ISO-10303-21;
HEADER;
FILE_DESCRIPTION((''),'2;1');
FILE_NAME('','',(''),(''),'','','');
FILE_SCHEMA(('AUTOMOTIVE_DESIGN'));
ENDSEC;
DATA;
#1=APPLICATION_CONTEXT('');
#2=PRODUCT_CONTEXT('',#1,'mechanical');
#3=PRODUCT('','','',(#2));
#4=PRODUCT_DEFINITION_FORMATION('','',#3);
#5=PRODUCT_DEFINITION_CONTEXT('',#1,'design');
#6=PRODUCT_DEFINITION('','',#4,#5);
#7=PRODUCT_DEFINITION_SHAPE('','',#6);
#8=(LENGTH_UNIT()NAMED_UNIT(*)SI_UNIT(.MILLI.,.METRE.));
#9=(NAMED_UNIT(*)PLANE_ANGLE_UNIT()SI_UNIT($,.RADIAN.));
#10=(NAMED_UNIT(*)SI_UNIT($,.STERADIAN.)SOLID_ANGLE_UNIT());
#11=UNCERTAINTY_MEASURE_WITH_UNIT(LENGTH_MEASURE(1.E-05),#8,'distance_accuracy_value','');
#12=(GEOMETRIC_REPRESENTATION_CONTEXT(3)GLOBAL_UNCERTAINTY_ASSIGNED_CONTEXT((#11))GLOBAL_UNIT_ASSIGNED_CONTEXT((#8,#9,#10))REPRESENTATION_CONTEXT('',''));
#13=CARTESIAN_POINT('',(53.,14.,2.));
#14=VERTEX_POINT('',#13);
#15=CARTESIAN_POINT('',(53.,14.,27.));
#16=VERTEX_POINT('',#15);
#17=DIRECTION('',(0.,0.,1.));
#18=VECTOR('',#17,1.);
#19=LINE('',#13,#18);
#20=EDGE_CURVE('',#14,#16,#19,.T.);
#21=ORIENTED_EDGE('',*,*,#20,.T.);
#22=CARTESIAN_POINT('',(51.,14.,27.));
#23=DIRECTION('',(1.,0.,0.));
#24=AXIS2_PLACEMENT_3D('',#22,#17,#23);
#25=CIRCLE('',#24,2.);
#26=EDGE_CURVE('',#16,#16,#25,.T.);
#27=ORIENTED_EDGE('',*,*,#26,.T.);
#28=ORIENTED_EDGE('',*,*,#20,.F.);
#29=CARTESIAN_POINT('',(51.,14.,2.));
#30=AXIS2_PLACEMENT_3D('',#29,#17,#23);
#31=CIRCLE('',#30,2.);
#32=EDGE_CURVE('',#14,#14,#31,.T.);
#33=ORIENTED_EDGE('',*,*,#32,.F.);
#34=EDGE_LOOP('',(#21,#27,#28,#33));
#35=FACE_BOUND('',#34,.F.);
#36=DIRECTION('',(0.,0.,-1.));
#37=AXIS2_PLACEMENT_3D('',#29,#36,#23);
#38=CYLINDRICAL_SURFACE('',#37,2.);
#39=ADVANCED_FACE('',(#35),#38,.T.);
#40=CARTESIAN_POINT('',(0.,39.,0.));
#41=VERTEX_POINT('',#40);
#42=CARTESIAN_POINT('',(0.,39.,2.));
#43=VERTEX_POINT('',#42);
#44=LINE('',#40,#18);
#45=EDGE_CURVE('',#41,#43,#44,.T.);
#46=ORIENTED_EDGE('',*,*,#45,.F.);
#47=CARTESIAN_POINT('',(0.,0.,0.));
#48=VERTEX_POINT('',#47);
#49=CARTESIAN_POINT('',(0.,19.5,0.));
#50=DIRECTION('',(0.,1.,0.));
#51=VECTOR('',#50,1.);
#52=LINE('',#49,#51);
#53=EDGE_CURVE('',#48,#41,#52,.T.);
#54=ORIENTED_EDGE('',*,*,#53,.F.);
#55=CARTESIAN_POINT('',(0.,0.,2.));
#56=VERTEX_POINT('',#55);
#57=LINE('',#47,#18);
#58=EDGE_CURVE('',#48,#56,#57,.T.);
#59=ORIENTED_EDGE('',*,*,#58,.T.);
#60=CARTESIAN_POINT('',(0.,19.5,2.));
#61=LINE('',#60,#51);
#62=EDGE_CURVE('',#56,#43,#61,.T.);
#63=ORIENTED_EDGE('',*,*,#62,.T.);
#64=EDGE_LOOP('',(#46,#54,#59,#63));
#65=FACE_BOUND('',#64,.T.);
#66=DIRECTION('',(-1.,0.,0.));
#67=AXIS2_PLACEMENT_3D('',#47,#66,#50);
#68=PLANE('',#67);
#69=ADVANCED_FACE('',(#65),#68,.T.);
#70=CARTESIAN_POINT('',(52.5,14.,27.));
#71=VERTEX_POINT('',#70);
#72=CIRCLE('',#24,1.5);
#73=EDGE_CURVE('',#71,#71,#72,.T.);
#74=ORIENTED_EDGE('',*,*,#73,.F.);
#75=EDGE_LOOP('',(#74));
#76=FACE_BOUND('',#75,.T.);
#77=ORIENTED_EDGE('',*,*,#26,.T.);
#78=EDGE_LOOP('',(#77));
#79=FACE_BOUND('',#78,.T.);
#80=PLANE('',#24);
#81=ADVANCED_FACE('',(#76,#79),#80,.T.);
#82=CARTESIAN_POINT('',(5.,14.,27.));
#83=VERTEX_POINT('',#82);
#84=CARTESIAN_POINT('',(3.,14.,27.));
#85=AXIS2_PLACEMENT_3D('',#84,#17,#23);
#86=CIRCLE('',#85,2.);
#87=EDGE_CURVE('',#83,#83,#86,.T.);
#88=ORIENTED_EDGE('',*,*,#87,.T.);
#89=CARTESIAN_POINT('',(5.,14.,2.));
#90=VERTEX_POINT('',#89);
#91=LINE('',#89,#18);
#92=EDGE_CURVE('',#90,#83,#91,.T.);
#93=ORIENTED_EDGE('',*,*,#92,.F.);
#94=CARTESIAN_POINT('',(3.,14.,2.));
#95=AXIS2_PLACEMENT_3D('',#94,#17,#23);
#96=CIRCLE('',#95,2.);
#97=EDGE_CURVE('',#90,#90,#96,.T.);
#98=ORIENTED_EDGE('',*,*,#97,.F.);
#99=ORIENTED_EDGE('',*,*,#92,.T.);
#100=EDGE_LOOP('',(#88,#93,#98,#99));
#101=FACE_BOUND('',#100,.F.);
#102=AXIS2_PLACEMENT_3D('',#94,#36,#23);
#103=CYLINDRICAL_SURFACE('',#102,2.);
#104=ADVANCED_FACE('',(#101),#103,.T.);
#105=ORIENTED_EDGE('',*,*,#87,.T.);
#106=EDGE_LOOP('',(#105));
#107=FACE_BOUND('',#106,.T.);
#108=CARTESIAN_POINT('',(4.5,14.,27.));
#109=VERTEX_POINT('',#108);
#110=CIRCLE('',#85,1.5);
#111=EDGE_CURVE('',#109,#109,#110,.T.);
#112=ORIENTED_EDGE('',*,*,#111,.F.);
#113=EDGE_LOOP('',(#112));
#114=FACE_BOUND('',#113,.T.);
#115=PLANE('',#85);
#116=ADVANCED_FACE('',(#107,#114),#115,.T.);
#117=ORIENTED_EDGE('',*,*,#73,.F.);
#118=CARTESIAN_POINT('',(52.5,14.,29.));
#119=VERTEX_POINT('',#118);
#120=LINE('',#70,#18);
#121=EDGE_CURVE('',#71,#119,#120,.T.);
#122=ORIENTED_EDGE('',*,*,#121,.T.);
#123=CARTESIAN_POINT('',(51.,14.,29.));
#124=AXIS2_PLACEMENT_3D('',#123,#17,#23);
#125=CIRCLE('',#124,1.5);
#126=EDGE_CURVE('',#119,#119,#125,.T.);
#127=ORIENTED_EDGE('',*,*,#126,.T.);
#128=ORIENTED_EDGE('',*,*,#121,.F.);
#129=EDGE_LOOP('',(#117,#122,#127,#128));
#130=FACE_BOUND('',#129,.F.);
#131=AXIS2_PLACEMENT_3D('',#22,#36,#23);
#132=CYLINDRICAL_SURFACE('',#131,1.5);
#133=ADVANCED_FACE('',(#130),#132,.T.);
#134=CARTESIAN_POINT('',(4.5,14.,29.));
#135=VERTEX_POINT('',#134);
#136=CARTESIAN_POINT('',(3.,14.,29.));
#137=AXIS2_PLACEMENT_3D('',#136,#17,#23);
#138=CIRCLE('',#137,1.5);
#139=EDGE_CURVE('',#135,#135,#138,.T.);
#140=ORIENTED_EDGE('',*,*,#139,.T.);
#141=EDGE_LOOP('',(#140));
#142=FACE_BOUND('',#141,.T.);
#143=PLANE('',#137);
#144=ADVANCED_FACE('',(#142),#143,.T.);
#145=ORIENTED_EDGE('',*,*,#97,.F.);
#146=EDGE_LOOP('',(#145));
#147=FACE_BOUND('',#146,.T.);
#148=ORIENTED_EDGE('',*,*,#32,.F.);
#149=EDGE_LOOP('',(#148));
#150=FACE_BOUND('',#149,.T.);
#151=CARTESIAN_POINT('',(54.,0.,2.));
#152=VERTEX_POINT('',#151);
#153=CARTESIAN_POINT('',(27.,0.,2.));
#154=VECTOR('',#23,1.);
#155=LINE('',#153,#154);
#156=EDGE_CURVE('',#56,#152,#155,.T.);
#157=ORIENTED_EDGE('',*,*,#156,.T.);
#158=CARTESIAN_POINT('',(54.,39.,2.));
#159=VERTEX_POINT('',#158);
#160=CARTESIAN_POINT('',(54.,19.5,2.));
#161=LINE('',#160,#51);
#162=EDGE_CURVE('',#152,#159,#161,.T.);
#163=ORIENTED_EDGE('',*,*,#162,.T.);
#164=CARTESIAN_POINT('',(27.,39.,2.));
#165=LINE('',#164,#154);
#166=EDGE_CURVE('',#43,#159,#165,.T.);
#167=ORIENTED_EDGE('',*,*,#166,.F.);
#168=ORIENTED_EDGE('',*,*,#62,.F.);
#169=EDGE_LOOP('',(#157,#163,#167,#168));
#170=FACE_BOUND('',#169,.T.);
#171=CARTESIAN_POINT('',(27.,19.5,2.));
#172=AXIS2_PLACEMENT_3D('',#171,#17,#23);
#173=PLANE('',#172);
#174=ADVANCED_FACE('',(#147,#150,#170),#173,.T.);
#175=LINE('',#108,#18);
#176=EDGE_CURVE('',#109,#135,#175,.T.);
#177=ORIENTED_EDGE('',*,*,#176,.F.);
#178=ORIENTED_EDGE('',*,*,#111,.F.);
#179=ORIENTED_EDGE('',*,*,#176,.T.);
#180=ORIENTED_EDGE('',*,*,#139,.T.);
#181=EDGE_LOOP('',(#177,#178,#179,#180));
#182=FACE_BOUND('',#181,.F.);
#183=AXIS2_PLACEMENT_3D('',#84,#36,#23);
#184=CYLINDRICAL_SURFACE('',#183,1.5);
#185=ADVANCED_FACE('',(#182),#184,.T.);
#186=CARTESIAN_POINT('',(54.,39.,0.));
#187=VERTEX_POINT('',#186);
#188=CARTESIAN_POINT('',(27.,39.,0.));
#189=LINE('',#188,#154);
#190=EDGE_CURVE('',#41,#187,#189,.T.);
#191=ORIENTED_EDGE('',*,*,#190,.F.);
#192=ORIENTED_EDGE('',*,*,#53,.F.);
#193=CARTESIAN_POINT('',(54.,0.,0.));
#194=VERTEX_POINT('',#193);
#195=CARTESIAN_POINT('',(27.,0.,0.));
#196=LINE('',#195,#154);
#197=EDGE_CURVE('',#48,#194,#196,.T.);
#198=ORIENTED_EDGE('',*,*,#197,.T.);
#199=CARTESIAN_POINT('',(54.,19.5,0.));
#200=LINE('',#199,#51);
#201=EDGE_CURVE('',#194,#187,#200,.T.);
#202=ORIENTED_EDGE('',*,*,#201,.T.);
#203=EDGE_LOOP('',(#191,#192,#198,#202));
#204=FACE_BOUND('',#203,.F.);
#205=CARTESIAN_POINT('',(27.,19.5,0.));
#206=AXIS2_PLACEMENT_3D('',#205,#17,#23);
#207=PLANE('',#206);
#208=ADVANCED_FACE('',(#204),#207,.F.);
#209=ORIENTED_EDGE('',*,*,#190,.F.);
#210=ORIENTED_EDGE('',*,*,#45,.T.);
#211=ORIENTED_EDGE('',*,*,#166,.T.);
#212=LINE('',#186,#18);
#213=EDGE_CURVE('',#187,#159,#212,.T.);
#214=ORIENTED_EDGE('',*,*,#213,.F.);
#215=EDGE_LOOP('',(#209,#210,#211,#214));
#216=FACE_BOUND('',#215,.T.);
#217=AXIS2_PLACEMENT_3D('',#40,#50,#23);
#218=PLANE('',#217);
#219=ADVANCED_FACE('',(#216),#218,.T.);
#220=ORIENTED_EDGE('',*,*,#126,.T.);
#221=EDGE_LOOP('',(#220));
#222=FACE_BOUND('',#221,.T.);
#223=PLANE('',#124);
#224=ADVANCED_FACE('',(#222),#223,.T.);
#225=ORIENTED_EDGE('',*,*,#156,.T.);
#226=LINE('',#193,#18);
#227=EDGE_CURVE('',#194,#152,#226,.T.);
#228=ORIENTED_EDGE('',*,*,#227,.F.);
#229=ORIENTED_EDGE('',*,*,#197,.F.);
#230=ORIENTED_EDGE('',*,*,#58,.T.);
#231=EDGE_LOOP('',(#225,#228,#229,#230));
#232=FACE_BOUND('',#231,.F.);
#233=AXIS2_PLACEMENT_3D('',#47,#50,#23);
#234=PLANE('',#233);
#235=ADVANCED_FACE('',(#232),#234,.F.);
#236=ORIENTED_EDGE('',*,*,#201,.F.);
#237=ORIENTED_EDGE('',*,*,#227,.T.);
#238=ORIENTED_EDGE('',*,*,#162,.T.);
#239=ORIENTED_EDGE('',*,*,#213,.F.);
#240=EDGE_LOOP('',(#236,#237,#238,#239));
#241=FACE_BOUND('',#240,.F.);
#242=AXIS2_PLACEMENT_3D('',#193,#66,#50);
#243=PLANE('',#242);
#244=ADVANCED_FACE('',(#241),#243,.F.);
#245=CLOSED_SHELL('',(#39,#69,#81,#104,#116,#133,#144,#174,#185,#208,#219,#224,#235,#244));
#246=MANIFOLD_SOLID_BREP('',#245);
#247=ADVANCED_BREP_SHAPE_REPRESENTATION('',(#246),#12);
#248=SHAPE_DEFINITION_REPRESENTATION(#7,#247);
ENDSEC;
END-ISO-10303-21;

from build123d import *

# Parameters (mm, degrees)
SKETCH_W     = 54
SKETCH_H     = 39
PAD_DEPTH    = 2
SKETCH001_R  = 2
PAD001_DEPTH = 25
SKETCH002_R  = 1.5
PAD002_DEPTH = 2
SKETCH003_R  = 1.5
PAD003_DEPTH = 2


with BuildPart() as part:
    # Sketch → Pad (new body)
    with BuildSketch(Plane.XY):
        with Locations((27, 19.5)):
            Rectangle(SKETCH_W, SKETCH_H)
    extrude(amount=PAD_DEPTH)

    # Sketch001 (on Face6 of Pad) → Pad001 (join)
    with BuildSketch(Plane.XY.offset(2)):
        with Locations((3, 14)):
            Circle(SKETCH001_R)
        with Locations((51, 14)):
            Circle(SKETCH001_R)
    extrude(amount=PAD001_DEPTH)

    # Sketch002 (on Face9 of Pad001) → Pad002 (join)
    with BuildSketch(Plane.XY.offset(27)):
        with Locations((51, 14)):
            Circle(SKETCH002_R)
    extrude(amount=PAD002_DEPTH)

    # Sketch003 (on Face9 of Pad002) → Pad003 (join)
    with BuildSketch(Plane.XY.offset(27)):
        with Locations((3, 14)):
            Circle(SKETCH003_R)
    extrude(amount=PAD003_DEPTH)


solid = part.part
